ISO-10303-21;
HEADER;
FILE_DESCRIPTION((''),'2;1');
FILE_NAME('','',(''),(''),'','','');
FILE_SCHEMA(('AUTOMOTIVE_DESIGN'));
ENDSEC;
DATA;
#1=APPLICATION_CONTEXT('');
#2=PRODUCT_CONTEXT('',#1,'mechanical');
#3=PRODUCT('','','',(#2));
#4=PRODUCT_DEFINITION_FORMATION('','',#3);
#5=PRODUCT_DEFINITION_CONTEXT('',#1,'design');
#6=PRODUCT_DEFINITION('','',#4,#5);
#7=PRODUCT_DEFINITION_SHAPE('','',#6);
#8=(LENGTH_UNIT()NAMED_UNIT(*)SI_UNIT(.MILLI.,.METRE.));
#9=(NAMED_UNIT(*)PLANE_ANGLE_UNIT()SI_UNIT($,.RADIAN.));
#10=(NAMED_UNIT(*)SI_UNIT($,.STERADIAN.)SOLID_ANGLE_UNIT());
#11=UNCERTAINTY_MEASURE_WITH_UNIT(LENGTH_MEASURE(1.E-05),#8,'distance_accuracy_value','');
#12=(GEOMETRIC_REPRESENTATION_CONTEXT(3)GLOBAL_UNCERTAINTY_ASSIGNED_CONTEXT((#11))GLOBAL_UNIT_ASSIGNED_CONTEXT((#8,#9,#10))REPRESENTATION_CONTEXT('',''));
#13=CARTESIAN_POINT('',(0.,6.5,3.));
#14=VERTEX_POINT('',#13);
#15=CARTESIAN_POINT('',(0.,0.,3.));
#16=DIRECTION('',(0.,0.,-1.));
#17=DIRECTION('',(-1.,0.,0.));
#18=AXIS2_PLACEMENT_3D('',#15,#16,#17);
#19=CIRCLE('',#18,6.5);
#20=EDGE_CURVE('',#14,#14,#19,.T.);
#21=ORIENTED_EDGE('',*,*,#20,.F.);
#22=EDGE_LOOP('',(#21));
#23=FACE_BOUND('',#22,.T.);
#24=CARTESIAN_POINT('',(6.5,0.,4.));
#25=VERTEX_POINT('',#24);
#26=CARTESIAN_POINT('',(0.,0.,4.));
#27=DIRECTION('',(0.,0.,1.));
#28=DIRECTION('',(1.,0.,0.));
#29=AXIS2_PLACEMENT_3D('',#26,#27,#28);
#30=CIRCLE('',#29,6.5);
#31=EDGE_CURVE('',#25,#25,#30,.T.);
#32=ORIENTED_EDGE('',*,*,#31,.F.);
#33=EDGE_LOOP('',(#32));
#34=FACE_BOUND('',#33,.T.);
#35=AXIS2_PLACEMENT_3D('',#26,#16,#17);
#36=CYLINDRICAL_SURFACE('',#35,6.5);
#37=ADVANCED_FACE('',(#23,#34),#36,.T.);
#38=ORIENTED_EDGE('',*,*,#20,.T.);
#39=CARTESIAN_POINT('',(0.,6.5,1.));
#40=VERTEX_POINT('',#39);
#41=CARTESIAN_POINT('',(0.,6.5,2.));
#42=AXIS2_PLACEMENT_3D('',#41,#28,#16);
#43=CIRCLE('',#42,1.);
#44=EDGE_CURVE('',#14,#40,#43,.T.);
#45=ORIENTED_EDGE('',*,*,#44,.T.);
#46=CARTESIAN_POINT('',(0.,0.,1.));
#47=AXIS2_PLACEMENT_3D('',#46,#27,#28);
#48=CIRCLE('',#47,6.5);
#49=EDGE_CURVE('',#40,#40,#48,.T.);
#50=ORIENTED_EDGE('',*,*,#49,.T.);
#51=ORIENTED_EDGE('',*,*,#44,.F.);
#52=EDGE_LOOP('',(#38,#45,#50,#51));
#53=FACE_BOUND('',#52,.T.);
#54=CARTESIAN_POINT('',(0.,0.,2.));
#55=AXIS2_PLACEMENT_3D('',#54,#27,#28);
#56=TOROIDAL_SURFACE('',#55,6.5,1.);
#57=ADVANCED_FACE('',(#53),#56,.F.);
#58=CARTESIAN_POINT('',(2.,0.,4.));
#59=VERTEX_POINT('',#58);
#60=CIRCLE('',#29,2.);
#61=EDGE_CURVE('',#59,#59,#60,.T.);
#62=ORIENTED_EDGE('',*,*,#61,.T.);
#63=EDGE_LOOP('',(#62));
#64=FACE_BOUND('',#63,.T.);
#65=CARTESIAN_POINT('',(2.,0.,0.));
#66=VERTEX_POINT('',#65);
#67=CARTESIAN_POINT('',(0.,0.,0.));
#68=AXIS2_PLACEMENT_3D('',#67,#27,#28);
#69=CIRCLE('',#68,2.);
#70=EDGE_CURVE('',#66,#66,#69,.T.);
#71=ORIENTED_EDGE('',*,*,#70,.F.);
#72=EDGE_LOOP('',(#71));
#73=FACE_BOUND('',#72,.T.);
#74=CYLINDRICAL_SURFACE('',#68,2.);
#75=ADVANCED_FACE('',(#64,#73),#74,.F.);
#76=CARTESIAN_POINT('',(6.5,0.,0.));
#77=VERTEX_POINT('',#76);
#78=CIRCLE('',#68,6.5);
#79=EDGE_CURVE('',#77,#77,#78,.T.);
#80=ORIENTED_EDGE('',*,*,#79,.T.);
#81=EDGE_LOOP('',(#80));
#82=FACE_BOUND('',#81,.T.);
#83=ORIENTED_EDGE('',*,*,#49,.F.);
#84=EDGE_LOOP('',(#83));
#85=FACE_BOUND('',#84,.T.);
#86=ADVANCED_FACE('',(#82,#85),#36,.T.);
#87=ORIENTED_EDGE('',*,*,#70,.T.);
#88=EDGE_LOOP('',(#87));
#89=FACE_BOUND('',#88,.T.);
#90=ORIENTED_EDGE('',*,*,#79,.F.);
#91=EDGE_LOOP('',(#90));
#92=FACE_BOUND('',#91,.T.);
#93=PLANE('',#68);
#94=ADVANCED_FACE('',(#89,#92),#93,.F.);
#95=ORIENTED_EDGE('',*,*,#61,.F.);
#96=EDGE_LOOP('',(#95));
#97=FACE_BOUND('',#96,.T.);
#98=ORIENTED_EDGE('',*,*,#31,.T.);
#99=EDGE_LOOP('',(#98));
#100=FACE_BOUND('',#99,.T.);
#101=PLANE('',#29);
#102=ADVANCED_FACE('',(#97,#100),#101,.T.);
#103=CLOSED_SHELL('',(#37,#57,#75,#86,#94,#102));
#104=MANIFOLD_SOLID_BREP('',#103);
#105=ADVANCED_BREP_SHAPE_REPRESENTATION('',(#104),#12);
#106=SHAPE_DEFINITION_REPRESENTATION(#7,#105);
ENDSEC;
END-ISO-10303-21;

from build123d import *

# Parameters (mm, degrees)
SKETCH1_R           = 6.5
BOSS_EXTRUDE1_DEPTH = 4
SKETCH2_R           = 2
CUT_EXTRUDE1_DEPTH  = 5
SKETCH4_R           = 1


with BuildPart() as part:
    # Sketch1 → Boss-Extrude1 (new body)
    with BuildSketch(Plane.XY):
        Circle(SKETCH1_R)
    extrude(amount=BOSS_EXTRUDE1_DEPTH)

    # Sketch2 → Cut-Extrude1 (cut, through all)
    with BuildSketch(Plane.XY.offset(4)):
        Circle(SKETCH2_R)
    extrude(amount=-CUT_EXTRUDE1_DEPTH, mode=Mode.SUBTRACT)

    # Cut-Sweep1: sweep along a path in Sketch3
    with BuildLine(Plane.XY.offset(2)) as cut_sweep1_path:
        CenterArc((0, 0), 6.5, 0, 360)
    # Sketch4 → Cut-Sweep1 (sweep, cut)
    with BuildSketch(Plane(origin=(0, 0, 0), x_dir=(0, 0, -1), z_dir=(1, 0, 0))):
        with Locations((-2, 6.5)):
            Circle(SKETCH4_R)
    sweep(path=cut_sweep1_path.line, mode=Mode.SUBTRACT)


solid = part.part
